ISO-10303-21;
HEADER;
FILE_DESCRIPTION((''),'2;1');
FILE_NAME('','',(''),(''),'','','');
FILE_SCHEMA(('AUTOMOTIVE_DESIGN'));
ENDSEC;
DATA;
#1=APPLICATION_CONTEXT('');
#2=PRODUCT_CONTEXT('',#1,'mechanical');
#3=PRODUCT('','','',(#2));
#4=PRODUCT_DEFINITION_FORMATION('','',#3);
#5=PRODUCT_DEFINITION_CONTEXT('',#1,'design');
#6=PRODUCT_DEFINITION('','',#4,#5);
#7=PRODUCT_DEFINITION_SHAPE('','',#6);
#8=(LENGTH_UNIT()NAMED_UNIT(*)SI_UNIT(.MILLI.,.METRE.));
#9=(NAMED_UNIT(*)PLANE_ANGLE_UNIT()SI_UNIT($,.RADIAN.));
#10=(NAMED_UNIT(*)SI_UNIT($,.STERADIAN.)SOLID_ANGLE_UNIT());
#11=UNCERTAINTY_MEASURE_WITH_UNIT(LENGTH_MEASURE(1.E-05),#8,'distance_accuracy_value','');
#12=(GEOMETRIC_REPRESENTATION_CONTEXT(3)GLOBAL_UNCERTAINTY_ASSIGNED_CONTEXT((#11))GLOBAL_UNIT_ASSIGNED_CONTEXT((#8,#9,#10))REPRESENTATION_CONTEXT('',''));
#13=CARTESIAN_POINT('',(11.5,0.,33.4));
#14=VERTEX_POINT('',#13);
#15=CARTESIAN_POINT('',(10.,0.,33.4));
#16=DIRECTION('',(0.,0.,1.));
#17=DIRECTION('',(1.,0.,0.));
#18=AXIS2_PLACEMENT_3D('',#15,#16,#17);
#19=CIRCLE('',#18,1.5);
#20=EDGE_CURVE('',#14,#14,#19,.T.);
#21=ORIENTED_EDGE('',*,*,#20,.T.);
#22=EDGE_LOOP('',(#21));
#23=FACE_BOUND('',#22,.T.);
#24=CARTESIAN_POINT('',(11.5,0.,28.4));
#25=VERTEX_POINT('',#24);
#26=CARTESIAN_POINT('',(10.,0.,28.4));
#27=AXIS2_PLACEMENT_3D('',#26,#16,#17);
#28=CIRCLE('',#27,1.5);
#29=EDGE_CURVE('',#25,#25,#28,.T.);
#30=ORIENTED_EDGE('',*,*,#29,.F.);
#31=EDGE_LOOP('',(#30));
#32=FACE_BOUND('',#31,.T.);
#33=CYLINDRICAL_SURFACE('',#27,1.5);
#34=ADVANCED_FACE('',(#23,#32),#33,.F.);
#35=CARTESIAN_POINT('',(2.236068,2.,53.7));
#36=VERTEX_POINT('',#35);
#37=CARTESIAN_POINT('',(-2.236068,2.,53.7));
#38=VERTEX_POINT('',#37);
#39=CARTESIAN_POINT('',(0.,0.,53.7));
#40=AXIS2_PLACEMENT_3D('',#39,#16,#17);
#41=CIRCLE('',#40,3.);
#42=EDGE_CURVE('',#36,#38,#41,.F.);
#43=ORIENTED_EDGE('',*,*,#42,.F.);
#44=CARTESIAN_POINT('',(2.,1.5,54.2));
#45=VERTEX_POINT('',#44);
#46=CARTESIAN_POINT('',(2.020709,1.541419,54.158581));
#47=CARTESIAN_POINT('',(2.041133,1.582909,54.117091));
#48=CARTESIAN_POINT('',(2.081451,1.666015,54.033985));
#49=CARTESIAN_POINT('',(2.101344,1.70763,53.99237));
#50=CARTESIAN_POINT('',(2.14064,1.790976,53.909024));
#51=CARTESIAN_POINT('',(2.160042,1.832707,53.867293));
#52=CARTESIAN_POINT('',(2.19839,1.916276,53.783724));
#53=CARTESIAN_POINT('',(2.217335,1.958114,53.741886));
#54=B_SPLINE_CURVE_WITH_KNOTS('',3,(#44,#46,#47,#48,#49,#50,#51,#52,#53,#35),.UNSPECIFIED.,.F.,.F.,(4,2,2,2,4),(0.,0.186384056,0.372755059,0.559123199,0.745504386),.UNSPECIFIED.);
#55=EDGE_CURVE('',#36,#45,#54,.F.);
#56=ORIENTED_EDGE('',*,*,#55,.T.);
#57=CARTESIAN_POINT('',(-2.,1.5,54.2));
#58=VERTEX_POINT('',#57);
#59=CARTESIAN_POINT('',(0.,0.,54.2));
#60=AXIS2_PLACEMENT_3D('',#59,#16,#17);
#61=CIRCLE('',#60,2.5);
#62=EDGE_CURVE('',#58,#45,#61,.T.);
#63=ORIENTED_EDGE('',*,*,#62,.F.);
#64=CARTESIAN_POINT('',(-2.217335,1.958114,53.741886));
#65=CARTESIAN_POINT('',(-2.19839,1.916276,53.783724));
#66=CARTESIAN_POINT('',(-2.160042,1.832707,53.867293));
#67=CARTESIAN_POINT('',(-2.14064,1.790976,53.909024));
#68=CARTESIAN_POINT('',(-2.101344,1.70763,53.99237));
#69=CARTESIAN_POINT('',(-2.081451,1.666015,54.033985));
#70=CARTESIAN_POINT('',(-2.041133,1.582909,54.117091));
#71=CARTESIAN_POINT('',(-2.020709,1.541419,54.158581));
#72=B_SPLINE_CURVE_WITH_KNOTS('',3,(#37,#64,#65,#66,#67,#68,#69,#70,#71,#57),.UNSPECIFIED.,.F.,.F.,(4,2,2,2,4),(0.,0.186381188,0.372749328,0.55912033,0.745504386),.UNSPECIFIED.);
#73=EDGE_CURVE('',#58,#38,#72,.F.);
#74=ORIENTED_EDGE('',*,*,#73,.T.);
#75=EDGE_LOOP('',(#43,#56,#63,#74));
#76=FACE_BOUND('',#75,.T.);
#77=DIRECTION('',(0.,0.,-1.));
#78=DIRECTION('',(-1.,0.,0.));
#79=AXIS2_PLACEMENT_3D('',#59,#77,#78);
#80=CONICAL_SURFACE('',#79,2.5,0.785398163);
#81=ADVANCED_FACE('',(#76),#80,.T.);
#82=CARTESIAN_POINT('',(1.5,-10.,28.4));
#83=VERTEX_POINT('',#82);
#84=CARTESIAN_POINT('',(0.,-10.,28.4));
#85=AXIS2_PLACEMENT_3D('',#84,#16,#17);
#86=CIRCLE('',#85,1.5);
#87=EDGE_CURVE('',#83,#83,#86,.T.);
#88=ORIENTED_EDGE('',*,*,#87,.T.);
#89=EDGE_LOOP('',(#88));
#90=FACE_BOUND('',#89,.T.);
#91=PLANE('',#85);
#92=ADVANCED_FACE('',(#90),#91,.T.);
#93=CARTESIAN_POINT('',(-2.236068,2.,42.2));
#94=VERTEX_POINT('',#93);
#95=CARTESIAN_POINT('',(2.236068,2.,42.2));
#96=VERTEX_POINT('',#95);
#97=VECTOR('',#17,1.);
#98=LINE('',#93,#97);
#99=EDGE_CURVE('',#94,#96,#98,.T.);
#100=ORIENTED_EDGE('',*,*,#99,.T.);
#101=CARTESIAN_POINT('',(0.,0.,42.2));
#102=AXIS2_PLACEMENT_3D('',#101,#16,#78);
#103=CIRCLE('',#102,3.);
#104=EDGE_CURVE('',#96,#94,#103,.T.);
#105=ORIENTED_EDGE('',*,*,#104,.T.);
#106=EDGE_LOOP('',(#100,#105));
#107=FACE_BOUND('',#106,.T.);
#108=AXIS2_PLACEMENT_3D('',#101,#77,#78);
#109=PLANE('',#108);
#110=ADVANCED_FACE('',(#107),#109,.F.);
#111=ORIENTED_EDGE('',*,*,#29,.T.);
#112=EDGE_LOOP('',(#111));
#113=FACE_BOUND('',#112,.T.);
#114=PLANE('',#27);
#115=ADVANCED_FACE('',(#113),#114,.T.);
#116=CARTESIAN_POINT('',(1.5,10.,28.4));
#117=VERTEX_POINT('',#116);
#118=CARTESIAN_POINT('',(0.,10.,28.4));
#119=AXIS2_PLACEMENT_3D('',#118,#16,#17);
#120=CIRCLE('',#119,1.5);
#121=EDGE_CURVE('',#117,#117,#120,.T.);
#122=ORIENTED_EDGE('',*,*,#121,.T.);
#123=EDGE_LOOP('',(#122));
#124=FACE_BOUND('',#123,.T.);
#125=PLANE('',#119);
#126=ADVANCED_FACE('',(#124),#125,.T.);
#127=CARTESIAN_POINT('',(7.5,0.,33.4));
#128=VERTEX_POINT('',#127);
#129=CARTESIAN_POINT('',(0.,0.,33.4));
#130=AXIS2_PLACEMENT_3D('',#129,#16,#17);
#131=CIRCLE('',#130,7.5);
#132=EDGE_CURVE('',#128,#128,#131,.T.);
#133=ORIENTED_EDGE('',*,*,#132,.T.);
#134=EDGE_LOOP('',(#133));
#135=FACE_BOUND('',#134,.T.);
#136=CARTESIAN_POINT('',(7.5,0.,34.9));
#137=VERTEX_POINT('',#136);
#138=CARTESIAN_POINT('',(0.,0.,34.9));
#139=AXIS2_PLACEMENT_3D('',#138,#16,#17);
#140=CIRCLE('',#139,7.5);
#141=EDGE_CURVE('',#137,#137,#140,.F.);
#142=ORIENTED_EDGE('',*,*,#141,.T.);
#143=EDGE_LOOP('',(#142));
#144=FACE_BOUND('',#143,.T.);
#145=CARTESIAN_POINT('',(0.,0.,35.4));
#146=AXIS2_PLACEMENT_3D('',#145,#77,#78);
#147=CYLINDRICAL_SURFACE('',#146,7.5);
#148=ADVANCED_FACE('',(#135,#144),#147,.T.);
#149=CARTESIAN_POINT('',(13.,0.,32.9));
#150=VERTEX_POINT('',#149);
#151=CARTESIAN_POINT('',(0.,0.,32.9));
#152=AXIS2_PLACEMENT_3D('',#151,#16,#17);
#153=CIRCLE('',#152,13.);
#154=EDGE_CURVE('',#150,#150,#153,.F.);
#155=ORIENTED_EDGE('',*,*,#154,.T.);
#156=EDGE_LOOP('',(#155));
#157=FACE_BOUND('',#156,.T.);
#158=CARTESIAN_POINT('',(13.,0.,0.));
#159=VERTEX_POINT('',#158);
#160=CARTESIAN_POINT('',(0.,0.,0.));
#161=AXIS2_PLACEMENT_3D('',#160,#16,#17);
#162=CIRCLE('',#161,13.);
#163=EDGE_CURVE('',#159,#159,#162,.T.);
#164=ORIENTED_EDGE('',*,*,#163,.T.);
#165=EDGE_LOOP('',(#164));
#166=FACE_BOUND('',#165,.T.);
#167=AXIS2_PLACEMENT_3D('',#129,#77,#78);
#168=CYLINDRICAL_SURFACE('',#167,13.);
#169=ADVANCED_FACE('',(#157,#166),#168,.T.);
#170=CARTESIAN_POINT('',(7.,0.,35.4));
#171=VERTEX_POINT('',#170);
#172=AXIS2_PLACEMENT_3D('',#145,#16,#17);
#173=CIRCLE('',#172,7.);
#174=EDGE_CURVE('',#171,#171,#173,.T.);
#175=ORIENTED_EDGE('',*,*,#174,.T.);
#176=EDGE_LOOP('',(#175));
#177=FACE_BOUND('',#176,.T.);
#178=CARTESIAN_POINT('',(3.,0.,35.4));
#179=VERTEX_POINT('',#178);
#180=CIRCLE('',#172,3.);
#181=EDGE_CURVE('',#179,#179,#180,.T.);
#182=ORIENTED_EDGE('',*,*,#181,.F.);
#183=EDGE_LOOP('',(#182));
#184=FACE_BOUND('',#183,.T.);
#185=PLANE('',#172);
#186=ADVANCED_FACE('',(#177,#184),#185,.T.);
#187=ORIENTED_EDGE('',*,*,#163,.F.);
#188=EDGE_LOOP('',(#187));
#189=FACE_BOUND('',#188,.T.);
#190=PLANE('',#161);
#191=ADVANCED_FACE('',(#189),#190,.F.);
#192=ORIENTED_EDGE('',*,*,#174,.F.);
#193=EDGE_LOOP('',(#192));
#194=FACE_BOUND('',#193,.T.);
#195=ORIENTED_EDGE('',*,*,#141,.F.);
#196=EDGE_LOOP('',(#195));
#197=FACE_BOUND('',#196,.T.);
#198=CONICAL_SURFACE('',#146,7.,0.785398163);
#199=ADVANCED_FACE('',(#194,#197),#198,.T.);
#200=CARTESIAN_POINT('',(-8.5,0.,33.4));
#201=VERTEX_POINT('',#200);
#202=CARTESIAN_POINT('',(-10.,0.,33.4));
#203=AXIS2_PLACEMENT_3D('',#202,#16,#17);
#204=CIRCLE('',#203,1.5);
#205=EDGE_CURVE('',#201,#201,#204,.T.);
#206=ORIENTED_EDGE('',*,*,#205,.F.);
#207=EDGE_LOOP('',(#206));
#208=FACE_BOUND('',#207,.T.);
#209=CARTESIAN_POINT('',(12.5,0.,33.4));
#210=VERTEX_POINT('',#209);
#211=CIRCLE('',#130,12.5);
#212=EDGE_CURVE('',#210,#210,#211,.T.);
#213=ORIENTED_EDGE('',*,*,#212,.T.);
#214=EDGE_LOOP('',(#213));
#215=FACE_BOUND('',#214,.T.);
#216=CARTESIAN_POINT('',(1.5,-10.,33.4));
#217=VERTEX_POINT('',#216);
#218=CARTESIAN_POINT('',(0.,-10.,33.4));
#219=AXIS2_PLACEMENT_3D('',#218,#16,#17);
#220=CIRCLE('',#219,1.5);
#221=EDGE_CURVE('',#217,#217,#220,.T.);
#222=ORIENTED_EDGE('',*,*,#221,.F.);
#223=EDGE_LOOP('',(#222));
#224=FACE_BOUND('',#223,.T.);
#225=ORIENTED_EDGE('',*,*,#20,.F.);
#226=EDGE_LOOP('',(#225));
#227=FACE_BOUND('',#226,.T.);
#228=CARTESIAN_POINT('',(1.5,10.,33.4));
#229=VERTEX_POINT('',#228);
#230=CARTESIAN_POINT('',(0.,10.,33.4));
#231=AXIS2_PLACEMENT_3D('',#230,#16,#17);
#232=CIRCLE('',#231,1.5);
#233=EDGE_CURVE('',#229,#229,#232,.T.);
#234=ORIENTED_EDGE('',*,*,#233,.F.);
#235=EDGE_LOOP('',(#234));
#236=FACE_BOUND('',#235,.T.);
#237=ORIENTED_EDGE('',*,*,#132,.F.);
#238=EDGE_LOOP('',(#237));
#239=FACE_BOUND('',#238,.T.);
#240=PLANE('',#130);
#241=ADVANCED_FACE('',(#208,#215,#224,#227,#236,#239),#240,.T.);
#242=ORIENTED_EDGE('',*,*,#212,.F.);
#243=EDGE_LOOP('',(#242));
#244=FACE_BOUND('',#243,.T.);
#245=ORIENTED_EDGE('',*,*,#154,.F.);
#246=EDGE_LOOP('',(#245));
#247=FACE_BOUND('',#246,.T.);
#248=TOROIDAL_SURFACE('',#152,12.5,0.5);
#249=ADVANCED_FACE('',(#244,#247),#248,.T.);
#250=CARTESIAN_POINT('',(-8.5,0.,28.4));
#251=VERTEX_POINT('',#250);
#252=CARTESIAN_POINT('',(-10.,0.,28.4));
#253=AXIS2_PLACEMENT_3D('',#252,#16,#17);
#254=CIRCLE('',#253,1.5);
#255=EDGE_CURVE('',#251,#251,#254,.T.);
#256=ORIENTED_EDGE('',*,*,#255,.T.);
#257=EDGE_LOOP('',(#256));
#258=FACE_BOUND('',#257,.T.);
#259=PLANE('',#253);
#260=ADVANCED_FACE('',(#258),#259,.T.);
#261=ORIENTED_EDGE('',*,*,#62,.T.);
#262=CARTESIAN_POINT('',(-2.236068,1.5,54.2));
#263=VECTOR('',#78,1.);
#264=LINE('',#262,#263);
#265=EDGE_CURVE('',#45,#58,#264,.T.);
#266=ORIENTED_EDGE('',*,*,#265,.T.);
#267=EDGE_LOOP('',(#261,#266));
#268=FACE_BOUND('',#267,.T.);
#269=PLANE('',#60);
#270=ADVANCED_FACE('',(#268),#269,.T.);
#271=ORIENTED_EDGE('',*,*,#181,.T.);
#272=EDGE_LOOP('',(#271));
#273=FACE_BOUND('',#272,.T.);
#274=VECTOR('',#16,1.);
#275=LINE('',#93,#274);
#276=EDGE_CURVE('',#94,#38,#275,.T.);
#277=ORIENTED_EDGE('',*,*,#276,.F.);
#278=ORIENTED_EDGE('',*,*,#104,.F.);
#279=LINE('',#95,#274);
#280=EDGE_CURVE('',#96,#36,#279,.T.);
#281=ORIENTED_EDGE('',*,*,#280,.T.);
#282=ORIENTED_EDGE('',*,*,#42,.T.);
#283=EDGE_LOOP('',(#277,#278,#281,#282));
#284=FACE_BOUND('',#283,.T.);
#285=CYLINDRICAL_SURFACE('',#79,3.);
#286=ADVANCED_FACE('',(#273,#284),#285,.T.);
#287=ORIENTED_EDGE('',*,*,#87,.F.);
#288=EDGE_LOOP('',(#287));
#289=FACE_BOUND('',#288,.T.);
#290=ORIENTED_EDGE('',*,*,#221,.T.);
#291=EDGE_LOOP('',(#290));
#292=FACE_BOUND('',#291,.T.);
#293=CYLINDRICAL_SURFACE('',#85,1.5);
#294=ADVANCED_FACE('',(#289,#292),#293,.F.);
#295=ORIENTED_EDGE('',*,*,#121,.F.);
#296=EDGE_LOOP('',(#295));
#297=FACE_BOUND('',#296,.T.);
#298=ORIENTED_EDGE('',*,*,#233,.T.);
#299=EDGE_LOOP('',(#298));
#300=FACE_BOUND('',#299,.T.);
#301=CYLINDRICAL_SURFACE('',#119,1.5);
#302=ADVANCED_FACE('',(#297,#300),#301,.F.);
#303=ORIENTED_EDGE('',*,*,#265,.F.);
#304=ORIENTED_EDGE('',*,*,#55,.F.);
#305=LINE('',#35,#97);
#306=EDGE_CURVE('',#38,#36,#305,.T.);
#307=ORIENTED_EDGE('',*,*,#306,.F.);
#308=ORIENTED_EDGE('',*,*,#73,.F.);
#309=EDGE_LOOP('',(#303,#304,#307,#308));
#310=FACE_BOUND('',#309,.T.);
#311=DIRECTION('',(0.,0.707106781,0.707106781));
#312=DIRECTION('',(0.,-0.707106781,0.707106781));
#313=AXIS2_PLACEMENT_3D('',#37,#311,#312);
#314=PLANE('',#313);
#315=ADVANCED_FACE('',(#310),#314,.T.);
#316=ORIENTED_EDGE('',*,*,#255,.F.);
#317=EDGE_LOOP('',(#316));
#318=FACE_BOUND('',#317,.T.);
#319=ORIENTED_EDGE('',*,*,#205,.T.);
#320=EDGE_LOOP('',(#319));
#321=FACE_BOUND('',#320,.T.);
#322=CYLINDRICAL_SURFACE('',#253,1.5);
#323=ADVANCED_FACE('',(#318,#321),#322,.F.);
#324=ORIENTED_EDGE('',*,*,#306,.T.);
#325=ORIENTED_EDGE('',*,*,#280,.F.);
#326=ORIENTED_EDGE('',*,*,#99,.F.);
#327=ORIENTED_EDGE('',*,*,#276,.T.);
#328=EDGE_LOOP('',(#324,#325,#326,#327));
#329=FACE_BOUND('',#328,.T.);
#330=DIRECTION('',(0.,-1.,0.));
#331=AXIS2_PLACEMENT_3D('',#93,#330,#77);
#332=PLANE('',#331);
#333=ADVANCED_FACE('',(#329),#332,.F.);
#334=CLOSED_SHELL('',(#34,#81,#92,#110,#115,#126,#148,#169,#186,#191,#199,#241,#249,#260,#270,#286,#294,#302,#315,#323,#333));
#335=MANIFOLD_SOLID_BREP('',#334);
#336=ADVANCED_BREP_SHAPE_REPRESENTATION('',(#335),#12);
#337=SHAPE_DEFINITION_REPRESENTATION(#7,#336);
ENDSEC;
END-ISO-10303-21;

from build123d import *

# Parameters (mm, degrees)
ESQUISSE1_R             = 13
BOSS_EXTRU_1_DEPTH      = 33.4
ESQUISSE2_R             = 7.5
BOSS_EXTRU_2_DEPTH      = 2
ESQUISSE3_R             = 3
BOSS_EXTRU_3_DEPTH      = 18.8
ENL_V_START             = -12
ENL_V_MAT_EXTRU_1_DEPTH = 12
CHANFREIN1_SIZE         = 0.5
ESQUISSE5_R             = 1.5
ENL_V_MAT_EXTRU_2_DEPTH = 5
CONG_1_R                = 0.5


with BuildPart() as part:
    # Esquisse1 → Boss.-Extru.1 (new body)
    with BuildSketch(Plane.XY):
        Circle(ESQUISSE1_R)
    extrude(amount=BOSS_EXTRU_1_DEPTH)

    # Esquisse2 → Boss.-Extru.2 (add)
    with BuildSketch(Plane.XY.offset(33.4)):
        Circle(ESQUISSE2_R)
    extrude(amount=BOSS_EXTRU_2_DEPTH)

    # Esquisse3 → Boss.-Extru.3 (add)
    with BuildSketch(Plane.XY.offset(35.4)):
        Circle(ESQUISSE3_R)
    extrude(amount=BOSS_EXTRU_3_DEPTH)

    # Esquisse4 → Enlèv. mat.-Extru.1 (cut)
    with BuildSketch(Plane.XY.offset(54.2).offset(ENL_V_START)):
        with BuildLine():
            Line((-2.236067977, 2), (2.236067977, 2))
            ThreePointArc((2.236067977, 2), (0, 3), (-2.236067977, 2))
        make_face()
    extrude(amount=ENL_V_MAT_EXTRU_1_DEPTH, mode=Mode.SUBTRACT)

    # Chanfrein1
    chanfrein1_edges = [part.edges().sort_by_distance(p)[0] for p in [
        (-1.070466269, -2.802517077, 54.2),
        (0, 2, 54.2),
        (-7.5, 0, 35.4),
    ]]
    chamfer(chanfrein1_edges, length=CHANFREIN1_SIZE)

    # Esquisse5 → Enlèv. mat.-Extru.2 (cut)
    with BuildSketch(Plane.XY.offset(33.4)):
        with Locations((0, 10)):
            Circle(ESQUISSE5_R)
        with Locations((10, 0)):
            Circle(ESQUISSE5_R)
        with Locations((0, -10)):
            Circle(ESQUISSE5_R)
        with Locations((-10, 0)):
            Circle(ESQUISSE5_R)
    extrude(amount=-ENL_V_MAT_EXTRU_2_DEPTH, mode=Mode.SUBTRACT)

    # Congé1
    cong_1_edges = [part.edges().sort_by_distance(p)[0] for p in [
        (-13, 0, 33.4),
    ]]
    fillet(cong_1_edges, radius=CONG_1_R)


solid = part.part
